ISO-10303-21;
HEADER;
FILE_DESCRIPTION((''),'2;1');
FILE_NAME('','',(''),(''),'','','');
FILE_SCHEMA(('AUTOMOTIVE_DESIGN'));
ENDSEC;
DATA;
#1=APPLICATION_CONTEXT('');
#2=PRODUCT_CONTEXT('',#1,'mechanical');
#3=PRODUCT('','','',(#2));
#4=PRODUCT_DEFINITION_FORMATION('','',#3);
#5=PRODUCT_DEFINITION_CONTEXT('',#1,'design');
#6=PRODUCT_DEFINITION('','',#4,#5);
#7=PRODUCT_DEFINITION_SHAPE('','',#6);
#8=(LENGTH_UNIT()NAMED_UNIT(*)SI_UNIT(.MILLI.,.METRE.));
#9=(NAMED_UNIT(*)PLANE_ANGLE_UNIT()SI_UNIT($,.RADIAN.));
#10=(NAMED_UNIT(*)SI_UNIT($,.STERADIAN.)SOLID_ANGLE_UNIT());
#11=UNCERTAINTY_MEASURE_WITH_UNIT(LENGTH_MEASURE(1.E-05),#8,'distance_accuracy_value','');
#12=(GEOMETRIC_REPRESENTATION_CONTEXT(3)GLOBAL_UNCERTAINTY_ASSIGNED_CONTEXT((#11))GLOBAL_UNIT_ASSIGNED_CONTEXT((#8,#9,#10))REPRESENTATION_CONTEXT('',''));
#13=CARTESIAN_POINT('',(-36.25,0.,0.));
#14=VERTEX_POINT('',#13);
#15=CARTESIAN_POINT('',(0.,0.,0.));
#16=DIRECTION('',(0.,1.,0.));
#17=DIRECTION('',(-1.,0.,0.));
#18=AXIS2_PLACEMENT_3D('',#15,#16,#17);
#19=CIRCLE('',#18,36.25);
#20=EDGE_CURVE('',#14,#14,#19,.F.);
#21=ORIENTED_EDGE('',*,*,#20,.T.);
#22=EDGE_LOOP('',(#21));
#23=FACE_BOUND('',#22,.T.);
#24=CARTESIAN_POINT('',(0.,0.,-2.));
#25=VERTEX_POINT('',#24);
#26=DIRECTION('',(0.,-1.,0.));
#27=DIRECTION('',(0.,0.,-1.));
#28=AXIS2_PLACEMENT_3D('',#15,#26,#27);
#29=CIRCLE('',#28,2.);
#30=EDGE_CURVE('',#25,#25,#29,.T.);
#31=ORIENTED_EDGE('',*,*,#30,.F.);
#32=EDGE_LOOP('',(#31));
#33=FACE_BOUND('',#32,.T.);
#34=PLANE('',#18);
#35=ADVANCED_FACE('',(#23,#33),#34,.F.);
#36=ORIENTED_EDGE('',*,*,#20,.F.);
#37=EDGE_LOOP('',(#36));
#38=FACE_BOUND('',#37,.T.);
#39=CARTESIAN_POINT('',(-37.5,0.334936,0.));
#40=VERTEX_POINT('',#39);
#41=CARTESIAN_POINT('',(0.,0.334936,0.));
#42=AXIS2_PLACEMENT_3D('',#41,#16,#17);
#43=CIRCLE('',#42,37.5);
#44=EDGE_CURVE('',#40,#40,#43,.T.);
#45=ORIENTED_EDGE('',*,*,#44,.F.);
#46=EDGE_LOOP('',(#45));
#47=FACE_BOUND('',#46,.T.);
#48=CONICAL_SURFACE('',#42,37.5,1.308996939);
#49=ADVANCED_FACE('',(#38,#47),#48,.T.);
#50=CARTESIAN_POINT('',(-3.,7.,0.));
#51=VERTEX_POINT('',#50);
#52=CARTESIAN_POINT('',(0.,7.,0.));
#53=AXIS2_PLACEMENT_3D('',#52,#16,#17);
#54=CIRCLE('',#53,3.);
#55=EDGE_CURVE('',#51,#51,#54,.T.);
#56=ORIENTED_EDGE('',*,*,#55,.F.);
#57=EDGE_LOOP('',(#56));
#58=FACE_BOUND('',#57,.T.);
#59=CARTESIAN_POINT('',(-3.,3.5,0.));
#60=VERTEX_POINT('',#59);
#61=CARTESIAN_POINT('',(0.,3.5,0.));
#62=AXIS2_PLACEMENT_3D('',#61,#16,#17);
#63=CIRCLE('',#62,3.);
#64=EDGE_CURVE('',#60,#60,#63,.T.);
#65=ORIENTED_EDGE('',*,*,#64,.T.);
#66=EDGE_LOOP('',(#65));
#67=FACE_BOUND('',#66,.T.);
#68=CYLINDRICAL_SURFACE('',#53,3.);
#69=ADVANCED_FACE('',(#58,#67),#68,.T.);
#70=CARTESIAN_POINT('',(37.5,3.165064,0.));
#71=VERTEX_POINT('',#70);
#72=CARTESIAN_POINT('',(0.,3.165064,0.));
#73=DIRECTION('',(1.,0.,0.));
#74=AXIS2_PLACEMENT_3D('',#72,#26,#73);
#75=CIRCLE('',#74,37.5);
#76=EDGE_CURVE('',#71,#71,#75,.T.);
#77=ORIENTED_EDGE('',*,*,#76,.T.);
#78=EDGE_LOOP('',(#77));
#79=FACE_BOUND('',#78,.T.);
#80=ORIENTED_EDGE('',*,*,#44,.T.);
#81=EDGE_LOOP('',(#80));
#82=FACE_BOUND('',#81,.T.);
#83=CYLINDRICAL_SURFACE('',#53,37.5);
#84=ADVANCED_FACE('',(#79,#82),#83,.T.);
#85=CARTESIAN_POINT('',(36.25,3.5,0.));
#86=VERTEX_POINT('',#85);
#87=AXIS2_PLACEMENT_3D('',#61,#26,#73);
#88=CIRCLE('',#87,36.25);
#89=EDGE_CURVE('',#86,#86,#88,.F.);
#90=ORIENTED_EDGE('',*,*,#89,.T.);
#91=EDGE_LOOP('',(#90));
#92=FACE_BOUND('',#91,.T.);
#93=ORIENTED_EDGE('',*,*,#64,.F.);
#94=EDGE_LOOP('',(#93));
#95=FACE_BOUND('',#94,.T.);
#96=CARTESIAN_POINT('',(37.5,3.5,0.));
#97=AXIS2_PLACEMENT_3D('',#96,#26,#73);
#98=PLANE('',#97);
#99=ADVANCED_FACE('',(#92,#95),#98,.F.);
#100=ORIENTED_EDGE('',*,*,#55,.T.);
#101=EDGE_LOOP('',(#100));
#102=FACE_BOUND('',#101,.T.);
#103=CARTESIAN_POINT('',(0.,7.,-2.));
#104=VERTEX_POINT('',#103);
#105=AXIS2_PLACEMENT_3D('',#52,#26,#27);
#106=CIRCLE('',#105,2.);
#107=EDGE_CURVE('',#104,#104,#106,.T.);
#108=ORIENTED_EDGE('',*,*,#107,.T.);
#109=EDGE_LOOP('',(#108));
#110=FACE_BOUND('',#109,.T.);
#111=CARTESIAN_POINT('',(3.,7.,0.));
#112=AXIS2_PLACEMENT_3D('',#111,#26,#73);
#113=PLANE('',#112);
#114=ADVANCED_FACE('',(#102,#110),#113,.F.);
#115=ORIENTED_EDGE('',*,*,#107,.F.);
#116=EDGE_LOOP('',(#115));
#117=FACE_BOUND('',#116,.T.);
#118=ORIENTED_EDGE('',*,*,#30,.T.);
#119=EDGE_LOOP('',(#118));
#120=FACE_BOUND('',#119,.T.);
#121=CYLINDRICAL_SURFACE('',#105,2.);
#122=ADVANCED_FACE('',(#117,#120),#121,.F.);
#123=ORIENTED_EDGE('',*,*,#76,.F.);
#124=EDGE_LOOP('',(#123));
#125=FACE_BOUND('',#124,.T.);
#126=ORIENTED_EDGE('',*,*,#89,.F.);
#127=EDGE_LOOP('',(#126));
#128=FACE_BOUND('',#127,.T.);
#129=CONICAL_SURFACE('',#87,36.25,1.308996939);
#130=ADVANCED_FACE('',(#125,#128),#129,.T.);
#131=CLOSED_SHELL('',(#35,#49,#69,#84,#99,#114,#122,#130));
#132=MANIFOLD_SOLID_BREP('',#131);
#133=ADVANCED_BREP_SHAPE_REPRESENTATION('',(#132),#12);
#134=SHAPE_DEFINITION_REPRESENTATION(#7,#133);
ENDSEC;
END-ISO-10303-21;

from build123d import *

# Parameters (mm, degrees)
CHAMFER_1_SIZE           = 1.25
CHAMFER_1_SIZE2          = 0.334936491
SKETCH_2_R               = 2
CUT_EXTRUDE_3_DEPTH      = 1
CUT_EXTRUDE_3_DEPTH_BACK = 8
CHAMFER_2_SIZE           = 1.25
CHAMFER_2_SIZE2          = 0.334936491


with BuildPart() as part:
    # Эскиз1 → Повернуть2 (revolve)
    with BuildSketch(Plane.XY):
        Polygon((0, 0), (37.5, 0), (37.5, 3.5), (3, 3.5), (3, 7), (0, 7), align=None)
    revolve(axis=Axis((0, 7, 0), (0, -1, 0)))

    # Фаска1
    chamfer_1_edges = [part.edges().sort_by_distance(p)[0] for p in [
        (-37.5, 3.5, 0),
    ]]
    chamfer_1_side = [part.faces().sort_by_distance(p)[0] for p in [
        (-36.439339828, 3.5, 0),
    ]]
    chamfer(chamfer_1_edges, length=CHAMFER_1_SIZE, length2=CHAMFER_1_SIZE2, reference=chamfer_1_side[0])

    # Эскиз2 → Вырез-Вытянуть3 (cut, two sides)
    with BuildSketch(Plane(origin=(0, 0, 0), x_dir=(-1, 0, 0), z_dir=(0, -1, 0))) as cut_extrude_3_sk:
        Circle(SKETCH_2_R)
    extrude(amount=CUT_EXTRUDE_3_DEPTH, mode=Mode.SUBTRACT)
    extrude(cut_extrude_3_sk.sketch, amount=-CUT_EXTRUDE_3_DEPTH_BACK, mode=Mode.SUBTRACT)

    # Фаска2
    chamfer_2_edges = [part.edges().sort_by_distance(p)[0] for p in [
        (-37.5, 0, 0),
    ]]
    chamfer_2_side = [part.faces().sort_by_distance(p)[0] for p in [
        (-36.439339828, 0, 0),
    ]]
    chamfer(chamfer_2_edges, length=CHAMFER_2_SIZE, length2=CHAMFER_2_SIZE2, reference=chamfer_2_side[0])


solid = part.part
